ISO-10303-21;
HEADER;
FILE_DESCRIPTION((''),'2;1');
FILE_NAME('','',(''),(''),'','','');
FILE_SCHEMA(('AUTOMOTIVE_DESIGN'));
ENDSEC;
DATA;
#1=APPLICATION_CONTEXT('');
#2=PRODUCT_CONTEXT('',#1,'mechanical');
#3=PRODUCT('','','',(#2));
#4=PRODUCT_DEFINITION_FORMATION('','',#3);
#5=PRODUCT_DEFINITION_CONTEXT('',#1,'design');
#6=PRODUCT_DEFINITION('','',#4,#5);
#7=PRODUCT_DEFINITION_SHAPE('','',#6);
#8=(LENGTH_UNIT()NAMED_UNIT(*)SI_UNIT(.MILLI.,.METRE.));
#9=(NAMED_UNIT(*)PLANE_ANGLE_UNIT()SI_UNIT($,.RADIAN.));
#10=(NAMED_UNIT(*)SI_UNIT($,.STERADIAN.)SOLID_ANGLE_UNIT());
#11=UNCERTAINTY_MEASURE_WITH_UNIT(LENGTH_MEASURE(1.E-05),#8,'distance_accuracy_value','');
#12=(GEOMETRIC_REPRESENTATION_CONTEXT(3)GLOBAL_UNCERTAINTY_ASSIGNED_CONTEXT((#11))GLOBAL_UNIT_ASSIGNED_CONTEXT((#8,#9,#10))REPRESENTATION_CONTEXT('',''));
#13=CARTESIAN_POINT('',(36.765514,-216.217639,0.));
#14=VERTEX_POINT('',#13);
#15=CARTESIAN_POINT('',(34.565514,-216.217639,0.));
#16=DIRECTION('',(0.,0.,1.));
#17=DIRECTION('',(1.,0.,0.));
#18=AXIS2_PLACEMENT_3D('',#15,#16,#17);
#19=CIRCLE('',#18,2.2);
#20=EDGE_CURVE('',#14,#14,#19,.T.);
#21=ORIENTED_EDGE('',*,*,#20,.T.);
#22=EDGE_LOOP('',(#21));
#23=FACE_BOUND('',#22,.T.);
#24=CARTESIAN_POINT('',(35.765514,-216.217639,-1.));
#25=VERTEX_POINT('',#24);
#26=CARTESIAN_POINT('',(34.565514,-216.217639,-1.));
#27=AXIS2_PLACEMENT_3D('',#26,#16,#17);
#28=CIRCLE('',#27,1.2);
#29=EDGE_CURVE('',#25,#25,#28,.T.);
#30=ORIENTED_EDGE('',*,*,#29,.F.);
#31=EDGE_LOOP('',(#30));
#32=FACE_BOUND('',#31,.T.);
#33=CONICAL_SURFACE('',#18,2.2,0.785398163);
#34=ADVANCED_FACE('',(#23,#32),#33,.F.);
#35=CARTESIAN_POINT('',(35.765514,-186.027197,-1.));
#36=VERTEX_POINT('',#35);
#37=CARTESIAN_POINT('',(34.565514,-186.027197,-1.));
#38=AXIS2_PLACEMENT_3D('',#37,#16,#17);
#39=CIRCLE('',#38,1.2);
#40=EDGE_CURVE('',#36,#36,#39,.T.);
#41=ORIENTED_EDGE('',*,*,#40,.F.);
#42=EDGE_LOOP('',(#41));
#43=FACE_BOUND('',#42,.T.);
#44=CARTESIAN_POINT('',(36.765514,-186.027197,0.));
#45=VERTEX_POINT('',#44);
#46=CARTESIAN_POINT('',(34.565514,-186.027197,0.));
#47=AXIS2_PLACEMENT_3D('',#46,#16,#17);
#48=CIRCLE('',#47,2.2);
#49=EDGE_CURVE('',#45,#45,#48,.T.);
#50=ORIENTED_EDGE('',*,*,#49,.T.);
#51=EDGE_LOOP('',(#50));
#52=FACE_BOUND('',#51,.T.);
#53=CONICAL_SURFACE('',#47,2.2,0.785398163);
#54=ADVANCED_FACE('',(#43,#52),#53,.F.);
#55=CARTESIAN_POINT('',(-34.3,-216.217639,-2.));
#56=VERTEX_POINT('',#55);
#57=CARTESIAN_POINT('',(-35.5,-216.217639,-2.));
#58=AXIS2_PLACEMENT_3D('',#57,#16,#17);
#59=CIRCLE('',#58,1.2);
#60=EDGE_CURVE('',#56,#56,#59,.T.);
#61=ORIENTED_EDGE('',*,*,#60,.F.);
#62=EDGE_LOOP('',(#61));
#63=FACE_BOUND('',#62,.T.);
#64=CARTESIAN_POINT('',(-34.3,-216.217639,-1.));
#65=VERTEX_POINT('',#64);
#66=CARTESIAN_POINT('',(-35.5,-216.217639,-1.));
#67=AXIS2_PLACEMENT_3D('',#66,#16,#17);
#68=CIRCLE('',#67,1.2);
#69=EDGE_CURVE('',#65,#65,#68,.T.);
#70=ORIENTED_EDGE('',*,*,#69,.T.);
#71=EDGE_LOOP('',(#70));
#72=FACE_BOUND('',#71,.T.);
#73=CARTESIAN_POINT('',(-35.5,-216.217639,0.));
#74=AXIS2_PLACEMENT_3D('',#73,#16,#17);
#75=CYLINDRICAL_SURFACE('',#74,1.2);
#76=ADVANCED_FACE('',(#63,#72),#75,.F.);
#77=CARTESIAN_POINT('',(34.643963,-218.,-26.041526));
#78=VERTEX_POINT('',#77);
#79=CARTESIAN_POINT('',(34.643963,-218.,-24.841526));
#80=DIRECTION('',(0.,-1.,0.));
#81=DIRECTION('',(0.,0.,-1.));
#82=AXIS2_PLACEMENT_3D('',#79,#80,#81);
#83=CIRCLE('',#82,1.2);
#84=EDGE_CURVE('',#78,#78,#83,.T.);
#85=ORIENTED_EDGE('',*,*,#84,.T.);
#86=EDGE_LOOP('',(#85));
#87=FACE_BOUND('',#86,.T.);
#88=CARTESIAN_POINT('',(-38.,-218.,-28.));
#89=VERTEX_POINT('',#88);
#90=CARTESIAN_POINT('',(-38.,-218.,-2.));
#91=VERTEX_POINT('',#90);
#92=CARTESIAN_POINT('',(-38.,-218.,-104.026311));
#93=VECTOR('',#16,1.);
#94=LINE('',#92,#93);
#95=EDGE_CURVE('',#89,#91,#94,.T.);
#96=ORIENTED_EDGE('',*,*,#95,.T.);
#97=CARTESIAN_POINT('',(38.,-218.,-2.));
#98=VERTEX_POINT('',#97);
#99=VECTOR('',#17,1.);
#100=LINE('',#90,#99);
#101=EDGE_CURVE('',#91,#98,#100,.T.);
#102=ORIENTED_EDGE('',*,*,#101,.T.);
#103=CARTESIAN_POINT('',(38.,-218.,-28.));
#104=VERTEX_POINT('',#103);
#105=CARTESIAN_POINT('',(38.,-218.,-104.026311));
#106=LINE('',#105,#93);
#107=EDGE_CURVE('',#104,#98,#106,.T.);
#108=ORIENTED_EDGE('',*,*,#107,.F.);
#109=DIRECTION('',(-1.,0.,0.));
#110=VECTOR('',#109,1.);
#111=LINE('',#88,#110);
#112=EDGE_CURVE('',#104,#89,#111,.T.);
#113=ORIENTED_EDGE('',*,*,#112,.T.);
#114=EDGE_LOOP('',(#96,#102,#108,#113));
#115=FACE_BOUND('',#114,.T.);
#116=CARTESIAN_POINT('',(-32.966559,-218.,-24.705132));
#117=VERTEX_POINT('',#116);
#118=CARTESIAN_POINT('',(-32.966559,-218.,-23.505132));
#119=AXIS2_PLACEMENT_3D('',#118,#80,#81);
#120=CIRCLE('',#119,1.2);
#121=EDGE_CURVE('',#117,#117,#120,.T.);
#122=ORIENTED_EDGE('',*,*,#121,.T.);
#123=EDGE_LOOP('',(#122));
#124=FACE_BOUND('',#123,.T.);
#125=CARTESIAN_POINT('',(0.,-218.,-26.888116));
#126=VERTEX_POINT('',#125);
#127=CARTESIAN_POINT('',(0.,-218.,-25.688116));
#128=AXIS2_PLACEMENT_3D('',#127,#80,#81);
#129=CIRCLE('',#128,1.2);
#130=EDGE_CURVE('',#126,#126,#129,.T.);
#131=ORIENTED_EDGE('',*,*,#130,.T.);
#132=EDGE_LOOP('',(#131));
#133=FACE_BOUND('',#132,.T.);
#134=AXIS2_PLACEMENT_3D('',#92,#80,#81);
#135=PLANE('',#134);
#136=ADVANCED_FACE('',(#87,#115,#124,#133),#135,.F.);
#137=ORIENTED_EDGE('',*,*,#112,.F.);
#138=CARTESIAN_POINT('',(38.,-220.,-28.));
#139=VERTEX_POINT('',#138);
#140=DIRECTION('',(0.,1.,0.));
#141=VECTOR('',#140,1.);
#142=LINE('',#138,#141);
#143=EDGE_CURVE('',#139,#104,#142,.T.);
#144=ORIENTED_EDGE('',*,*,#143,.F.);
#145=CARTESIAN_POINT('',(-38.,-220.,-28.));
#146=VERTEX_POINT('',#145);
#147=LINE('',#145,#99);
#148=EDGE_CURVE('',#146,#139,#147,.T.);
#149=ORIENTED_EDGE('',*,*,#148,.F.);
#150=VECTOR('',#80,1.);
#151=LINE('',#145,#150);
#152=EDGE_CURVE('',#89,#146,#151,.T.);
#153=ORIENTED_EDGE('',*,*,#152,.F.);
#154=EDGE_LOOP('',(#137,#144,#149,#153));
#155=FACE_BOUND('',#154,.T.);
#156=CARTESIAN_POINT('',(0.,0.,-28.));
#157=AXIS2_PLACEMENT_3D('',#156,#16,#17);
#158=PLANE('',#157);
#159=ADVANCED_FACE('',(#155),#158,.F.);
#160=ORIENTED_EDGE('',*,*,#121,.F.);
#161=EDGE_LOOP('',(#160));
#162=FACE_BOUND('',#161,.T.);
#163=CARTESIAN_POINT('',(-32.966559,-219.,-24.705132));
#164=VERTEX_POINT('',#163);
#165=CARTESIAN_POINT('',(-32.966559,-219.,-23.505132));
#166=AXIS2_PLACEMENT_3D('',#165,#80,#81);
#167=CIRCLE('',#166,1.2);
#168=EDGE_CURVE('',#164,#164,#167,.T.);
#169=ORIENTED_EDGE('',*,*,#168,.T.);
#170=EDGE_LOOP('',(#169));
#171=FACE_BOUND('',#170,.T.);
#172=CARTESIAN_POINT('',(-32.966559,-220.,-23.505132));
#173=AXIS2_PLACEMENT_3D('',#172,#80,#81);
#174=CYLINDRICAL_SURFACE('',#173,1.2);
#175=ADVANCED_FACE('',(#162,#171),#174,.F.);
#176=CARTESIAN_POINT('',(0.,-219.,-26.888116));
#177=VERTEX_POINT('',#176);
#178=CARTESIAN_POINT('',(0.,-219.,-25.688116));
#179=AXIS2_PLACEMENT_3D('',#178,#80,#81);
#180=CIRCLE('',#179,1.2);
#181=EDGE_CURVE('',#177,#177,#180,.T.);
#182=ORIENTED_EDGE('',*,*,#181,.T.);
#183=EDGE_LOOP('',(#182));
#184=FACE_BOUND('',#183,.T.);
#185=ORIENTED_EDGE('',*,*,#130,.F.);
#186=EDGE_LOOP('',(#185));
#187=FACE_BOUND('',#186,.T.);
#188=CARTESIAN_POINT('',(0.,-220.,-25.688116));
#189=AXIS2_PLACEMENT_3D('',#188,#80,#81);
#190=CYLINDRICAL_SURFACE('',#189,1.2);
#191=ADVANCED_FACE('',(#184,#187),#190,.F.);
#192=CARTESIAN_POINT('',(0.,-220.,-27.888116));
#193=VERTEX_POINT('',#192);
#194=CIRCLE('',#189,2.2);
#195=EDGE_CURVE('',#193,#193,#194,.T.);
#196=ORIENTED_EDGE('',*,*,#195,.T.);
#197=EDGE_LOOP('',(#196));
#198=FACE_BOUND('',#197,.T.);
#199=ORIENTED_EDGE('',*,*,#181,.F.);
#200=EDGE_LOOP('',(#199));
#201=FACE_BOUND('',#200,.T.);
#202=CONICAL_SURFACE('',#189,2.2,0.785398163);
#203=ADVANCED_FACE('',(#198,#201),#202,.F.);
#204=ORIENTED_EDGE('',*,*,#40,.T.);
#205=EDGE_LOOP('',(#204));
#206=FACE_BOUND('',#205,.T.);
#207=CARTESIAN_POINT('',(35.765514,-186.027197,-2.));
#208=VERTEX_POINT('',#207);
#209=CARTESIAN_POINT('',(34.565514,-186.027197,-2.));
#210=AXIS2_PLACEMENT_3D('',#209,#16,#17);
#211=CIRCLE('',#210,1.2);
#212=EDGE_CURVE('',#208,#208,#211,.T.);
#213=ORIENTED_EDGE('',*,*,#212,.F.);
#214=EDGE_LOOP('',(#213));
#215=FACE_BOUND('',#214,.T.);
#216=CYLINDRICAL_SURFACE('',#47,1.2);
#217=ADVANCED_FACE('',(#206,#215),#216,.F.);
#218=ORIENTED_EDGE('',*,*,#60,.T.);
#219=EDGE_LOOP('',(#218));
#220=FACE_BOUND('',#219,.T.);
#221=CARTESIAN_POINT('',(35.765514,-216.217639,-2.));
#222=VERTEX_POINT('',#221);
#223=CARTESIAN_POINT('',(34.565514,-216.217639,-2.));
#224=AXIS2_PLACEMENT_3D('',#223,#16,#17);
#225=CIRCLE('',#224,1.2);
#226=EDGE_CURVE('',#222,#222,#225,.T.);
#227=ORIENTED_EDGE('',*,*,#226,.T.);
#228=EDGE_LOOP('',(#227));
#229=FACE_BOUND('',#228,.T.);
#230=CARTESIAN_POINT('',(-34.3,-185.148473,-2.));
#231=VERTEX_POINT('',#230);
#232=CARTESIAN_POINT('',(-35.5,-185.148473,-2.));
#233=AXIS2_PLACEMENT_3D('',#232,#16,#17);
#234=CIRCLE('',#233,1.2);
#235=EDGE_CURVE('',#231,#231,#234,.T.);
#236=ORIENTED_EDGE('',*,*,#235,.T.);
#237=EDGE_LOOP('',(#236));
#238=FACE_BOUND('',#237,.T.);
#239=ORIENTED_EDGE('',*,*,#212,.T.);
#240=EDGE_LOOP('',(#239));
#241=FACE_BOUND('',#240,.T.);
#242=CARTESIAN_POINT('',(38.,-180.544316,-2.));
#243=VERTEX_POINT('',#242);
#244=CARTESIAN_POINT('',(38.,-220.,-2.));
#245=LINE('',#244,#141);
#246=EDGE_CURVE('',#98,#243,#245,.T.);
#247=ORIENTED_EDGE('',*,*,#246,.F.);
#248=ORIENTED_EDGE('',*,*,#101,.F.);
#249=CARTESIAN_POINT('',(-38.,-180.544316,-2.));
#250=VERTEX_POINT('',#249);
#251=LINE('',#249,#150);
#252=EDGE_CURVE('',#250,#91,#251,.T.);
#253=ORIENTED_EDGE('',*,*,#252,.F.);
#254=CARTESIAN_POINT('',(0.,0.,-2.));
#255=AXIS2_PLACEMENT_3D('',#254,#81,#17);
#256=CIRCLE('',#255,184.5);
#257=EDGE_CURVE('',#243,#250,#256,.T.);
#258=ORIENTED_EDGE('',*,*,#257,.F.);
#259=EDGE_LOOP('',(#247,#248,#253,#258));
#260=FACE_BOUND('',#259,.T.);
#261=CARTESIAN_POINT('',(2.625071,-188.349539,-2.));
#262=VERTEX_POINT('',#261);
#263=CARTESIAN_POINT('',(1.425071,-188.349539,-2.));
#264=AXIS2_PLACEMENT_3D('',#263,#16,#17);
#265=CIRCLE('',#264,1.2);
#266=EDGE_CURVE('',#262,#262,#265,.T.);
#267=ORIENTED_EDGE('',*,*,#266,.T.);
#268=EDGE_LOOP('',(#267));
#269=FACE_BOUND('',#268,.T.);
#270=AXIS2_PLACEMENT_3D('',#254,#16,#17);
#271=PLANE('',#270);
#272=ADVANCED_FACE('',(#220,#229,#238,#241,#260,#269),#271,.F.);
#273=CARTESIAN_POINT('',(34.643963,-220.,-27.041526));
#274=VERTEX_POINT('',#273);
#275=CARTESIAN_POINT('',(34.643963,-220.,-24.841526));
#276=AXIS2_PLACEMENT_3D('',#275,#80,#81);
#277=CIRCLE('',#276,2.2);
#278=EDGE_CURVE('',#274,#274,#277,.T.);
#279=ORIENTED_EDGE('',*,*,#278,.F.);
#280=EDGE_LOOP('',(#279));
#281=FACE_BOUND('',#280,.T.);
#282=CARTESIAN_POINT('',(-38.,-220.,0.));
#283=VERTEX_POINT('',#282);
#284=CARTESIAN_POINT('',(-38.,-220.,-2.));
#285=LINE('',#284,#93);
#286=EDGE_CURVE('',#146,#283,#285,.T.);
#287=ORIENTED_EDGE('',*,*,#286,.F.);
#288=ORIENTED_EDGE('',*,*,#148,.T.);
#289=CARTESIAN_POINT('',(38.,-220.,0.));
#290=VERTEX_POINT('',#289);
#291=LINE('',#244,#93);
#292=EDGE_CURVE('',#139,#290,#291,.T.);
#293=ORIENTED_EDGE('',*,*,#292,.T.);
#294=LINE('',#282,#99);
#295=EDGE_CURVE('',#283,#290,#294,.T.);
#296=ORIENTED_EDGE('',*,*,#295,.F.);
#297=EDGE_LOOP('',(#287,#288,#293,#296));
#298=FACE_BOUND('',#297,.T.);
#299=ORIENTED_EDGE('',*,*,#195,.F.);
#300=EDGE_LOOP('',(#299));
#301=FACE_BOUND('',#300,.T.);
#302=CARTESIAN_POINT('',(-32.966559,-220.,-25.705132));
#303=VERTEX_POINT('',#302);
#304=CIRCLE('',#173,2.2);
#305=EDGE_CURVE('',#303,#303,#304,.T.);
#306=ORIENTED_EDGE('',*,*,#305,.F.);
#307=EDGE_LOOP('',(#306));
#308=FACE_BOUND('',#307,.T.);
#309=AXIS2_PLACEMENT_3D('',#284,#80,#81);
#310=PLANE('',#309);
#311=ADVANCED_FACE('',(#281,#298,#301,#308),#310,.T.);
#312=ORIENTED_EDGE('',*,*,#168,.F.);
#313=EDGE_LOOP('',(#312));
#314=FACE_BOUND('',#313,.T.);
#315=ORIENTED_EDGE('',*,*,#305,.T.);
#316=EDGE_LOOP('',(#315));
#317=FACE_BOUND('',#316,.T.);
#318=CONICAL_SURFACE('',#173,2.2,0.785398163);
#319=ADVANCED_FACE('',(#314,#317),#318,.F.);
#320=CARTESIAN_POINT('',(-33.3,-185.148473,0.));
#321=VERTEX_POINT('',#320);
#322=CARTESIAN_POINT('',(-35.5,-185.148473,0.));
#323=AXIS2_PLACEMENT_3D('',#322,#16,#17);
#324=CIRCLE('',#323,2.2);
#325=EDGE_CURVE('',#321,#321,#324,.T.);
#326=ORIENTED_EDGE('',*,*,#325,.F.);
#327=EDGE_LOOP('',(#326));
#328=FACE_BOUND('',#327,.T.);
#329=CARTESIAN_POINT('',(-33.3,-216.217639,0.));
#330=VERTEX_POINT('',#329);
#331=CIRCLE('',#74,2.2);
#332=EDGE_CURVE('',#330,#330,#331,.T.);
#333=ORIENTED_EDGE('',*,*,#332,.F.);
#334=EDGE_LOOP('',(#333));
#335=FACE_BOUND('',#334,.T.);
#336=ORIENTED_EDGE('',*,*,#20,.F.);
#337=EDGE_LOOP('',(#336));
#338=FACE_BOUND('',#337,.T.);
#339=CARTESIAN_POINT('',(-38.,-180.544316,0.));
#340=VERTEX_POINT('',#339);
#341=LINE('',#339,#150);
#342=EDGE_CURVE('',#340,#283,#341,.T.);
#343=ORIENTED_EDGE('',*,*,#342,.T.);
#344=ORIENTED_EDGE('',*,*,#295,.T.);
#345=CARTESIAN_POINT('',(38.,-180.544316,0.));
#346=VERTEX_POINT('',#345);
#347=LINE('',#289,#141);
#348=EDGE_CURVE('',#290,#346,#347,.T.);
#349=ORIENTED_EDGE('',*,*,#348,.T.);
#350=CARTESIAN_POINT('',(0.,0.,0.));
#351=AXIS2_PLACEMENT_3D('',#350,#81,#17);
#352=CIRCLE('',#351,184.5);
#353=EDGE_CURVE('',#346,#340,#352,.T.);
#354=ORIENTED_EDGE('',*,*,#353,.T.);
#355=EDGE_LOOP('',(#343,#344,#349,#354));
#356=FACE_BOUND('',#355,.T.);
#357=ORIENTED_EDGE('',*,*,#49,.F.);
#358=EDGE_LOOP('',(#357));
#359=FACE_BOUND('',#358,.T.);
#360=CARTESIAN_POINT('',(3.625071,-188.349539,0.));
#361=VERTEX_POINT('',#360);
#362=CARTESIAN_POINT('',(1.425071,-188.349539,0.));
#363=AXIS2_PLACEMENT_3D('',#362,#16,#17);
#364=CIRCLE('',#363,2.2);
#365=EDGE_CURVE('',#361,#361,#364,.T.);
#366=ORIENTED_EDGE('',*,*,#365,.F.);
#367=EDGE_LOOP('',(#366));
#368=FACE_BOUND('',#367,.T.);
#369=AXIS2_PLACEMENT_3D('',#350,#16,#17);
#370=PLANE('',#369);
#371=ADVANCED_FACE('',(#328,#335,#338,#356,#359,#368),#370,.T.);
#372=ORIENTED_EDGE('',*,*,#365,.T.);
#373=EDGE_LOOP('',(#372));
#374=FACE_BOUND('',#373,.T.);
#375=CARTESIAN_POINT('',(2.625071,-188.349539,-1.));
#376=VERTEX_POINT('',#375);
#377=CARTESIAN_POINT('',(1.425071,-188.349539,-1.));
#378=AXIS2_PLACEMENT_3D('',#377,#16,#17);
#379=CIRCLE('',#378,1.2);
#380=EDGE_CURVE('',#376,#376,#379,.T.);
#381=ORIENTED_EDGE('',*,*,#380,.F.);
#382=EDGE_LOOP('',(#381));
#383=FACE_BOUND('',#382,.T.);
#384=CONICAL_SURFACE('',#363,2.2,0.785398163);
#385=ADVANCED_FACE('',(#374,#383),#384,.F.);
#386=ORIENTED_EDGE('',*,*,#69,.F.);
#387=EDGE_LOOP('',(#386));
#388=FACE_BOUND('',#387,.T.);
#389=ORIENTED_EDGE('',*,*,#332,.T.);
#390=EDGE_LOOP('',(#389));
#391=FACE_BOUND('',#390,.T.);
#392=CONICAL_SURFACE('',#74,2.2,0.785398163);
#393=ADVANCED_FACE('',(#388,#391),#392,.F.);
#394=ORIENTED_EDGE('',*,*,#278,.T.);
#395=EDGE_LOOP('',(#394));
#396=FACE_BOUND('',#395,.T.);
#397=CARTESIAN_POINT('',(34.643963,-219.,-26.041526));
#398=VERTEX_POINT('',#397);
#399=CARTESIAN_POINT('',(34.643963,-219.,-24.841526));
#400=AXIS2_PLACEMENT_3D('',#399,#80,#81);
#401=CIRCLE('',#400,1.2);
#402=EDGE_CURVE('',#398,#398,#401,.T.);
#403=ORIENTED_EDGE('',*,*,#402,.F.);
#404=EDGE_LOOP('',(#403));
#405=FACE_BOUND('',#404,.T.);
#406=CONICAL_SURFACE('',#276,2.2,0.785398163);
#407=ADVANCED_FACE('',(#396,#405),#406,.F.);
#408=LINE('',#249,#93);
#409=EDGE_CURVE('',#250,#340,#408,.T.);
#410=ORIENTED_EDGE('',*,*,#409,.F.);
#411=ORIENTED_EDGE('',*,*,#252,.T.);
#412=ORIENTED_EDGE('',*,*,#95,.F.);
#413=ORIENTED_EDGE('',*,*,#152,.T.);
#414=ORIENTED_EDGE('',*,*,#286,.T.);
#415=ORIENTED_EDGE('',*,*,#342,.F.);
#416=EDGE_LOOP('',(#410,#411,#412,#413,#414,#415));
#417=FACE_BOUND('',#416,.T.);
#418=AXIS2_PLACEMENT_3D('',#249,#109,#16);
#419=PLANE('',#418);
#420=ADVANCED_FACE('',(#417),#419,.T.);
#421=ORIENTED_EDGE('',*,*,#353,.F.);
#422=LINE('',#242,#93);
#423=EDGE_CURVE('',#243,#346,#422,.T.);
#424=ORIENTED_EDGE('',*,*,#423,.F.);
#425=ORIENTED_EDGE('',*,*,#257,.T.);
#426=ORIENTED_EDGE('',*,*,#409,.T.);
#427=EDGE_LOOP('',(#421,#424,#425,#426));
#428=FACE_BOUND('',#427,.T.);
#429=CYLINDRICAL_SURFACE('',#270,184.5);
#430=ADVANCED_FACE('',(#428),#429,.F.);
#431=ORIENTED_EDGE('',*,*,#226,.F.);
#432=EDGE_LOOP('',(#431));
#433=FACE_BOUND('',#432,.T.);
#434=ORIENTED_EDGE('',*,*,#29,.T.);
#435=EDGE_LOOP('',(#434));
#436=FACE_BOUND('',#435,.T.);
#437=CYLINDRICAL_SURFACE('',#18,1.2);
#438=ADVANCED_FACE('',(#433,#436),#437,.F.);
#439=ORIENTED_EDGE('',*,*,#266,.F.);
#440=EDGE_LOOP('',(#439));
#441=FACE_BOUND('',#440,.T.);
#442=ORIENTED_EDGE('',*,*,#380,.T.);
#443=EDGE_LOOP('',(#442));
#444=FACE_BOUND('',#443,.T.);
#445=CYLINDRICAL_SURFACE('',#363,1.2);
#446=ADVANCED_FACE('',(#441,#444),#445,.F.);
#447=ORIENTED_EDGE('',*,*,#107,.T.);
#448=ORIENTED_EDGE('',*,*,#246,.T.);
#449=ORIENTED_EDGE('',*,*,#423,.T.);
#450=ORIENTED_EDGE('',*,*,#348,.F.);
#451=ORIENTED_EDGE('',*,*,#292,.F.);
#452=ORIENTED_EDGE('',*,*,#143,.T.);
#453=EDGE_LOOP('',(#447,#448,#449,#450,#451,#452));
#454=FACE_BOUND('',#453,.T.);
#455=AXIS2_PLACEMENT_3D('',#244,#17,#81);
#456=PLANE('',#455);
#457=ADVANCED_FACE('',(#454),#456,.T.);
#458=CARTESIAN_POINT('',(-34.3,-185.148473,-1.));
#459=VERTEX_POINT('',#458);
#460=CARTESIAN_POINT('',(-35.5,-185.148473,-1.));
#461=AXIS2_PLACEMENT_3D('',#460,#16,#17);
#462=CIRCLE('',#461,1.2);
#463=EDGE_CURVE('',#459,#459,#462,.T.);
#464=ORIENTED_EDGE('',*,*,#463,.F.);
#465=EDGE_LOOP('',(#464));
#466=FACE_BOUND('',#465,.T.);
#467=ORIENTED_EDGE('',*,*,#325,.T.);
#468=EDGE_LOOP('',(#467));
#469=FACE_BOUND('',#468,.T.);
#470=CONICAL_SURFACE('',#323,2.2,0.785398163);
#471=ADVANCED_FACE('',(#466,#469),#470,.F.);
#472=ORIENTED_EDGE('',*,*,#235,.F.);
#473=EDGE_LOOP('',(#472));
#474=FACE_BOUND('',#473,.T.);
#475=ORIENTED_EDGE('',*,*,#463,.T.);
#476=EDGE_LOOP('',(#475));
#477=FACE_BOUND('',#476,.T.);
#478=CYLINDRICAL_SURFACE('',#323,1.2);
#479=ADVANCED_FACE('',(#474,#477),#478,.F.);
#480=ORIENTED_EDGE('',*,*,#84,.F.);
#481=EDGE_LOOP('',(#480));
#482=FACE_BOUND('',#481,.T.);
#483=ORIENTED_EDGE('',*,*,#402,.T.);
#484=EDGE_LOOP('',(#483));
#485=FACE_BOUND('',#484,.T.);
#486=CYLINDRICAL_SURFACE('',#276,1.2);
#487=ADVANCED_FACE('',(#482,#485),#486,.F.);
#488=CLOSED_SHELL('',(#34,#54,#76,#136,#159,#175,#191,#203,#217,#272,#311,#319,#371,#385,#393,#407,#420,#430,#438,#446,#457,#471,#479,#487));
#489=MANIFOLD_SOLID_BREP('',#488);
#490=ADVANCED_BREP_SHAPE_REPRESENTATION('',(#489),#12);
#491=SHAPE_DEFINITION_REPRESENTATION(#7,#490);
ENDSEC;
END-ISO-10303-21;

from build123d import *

# Parameters (mm, degrees)
BOSS_EXTRUDE1_DEPTH                                 = 2
SKETCH2_W                                           = 76
SKETCH2_H                                           = 2
BOSS_EXTRUDE2_DEPTH                                 = 26
CSK_FOR_M2_COUNTERSUNK_FLAT_HEAD_SCREW1_D           = 2.4
CSK_FOR_M2_COUNTERSUNK_FLAT_HEAD_SCREW1_CSINK_D     = 4.4
CSK_FOR_M2_COUNTERSUNK_FLAT_HEAD_SCREW1_CSINK_ANGLE = 90
CSK_FOR_M2_COUNTERSUNK_FLAT_HEAD_SCREW2_D           = 2.4
CSK_FOR_M2_COUNTERSUNK_FLAT_HEAD_SCREW2_CSINK_D     = 4.4
CSK_FOR_M2_COUNTERSUNK_FLAT_HEAD_SCREW2_CSINK_ANGLE = 90


with BuildPart() as part:
    # Sketch1 → Boss-Extrude1 (new body)
    with BuildSketch(Plane.XY):
        with BuildLine():
            Line((38, -220), (38, -180.544315889))
            ThreePointArc((38, -180.544315889), (0, -184.5), (-38, -180.544315889))
            Line((-38, -180.544315889), (-38, -220))
            Line((-38, -220), (38, -220))
        make_face()
    extrude(amount=-BOSS_EXTRUDE1_DEPTH)

    # Sketch2 → Boss-Extrude2 (add)
    with BuildSketch(Plane(origin=(0, 0, -2), x_dir=(-1, 0, 0), z_dir=(0, 0, -1))):
        with Locations((0, -219)):
            Rectangle(SKETCH2_W, SKETCH2_H)
    extrude(amount=BOSS_EXTRUDE2_DEPTH)

    # CSK for M2 Countersunk Flat Head Screw1 (through all)
    with Locations(Plane.XY):
        with Locations((-35.5, -216.217638504), (-35.5, -185.148473071), (1.425070676, -188.349538601), (34.565513804, -186.027196942), (34.565513804, -216.217638504)):
            CounterSinkHole(CSK_FOR_M2_COUNTERSUNK_FLAT_HEAD_SCREW1_D / 2, CSK_FOR_M2_COUNTERSUNK_FLAT_HEAD_SCREW1_CSINK_D / 2, counter_sink_angle=CSK_FOR_M2_COUNTERSUNK_FLAT_HEAD_SCREW1_CSINK_ANGLE)

    # CSK for M2 Countersunk Flat Head Screw2 (through all)
    with Locations(Plane(origin=(0, -220, 0), x_dir=(-1, 0, 0), z_dir=(0, -1, 0))):
        with Locations((-34.643963319, 24.841526038), (0, 25.688115944), (32.966559476, 23.505132472)):
            CounterSinkHole(CSK_FOR_M2_COUNTERSUNK_FLAT_HEAD_SCREW2_D / 2, CSK_FOR_M2_COUNTERSUNK_FLAT_HEAD_SCREW2_CSINK_D / 2, counter_sink_angle=CSK_FOR_M2_COUNTERSUNK_FLAT_HEAD_SCREW2_CSINK_ANGLE)


solid = part.part
